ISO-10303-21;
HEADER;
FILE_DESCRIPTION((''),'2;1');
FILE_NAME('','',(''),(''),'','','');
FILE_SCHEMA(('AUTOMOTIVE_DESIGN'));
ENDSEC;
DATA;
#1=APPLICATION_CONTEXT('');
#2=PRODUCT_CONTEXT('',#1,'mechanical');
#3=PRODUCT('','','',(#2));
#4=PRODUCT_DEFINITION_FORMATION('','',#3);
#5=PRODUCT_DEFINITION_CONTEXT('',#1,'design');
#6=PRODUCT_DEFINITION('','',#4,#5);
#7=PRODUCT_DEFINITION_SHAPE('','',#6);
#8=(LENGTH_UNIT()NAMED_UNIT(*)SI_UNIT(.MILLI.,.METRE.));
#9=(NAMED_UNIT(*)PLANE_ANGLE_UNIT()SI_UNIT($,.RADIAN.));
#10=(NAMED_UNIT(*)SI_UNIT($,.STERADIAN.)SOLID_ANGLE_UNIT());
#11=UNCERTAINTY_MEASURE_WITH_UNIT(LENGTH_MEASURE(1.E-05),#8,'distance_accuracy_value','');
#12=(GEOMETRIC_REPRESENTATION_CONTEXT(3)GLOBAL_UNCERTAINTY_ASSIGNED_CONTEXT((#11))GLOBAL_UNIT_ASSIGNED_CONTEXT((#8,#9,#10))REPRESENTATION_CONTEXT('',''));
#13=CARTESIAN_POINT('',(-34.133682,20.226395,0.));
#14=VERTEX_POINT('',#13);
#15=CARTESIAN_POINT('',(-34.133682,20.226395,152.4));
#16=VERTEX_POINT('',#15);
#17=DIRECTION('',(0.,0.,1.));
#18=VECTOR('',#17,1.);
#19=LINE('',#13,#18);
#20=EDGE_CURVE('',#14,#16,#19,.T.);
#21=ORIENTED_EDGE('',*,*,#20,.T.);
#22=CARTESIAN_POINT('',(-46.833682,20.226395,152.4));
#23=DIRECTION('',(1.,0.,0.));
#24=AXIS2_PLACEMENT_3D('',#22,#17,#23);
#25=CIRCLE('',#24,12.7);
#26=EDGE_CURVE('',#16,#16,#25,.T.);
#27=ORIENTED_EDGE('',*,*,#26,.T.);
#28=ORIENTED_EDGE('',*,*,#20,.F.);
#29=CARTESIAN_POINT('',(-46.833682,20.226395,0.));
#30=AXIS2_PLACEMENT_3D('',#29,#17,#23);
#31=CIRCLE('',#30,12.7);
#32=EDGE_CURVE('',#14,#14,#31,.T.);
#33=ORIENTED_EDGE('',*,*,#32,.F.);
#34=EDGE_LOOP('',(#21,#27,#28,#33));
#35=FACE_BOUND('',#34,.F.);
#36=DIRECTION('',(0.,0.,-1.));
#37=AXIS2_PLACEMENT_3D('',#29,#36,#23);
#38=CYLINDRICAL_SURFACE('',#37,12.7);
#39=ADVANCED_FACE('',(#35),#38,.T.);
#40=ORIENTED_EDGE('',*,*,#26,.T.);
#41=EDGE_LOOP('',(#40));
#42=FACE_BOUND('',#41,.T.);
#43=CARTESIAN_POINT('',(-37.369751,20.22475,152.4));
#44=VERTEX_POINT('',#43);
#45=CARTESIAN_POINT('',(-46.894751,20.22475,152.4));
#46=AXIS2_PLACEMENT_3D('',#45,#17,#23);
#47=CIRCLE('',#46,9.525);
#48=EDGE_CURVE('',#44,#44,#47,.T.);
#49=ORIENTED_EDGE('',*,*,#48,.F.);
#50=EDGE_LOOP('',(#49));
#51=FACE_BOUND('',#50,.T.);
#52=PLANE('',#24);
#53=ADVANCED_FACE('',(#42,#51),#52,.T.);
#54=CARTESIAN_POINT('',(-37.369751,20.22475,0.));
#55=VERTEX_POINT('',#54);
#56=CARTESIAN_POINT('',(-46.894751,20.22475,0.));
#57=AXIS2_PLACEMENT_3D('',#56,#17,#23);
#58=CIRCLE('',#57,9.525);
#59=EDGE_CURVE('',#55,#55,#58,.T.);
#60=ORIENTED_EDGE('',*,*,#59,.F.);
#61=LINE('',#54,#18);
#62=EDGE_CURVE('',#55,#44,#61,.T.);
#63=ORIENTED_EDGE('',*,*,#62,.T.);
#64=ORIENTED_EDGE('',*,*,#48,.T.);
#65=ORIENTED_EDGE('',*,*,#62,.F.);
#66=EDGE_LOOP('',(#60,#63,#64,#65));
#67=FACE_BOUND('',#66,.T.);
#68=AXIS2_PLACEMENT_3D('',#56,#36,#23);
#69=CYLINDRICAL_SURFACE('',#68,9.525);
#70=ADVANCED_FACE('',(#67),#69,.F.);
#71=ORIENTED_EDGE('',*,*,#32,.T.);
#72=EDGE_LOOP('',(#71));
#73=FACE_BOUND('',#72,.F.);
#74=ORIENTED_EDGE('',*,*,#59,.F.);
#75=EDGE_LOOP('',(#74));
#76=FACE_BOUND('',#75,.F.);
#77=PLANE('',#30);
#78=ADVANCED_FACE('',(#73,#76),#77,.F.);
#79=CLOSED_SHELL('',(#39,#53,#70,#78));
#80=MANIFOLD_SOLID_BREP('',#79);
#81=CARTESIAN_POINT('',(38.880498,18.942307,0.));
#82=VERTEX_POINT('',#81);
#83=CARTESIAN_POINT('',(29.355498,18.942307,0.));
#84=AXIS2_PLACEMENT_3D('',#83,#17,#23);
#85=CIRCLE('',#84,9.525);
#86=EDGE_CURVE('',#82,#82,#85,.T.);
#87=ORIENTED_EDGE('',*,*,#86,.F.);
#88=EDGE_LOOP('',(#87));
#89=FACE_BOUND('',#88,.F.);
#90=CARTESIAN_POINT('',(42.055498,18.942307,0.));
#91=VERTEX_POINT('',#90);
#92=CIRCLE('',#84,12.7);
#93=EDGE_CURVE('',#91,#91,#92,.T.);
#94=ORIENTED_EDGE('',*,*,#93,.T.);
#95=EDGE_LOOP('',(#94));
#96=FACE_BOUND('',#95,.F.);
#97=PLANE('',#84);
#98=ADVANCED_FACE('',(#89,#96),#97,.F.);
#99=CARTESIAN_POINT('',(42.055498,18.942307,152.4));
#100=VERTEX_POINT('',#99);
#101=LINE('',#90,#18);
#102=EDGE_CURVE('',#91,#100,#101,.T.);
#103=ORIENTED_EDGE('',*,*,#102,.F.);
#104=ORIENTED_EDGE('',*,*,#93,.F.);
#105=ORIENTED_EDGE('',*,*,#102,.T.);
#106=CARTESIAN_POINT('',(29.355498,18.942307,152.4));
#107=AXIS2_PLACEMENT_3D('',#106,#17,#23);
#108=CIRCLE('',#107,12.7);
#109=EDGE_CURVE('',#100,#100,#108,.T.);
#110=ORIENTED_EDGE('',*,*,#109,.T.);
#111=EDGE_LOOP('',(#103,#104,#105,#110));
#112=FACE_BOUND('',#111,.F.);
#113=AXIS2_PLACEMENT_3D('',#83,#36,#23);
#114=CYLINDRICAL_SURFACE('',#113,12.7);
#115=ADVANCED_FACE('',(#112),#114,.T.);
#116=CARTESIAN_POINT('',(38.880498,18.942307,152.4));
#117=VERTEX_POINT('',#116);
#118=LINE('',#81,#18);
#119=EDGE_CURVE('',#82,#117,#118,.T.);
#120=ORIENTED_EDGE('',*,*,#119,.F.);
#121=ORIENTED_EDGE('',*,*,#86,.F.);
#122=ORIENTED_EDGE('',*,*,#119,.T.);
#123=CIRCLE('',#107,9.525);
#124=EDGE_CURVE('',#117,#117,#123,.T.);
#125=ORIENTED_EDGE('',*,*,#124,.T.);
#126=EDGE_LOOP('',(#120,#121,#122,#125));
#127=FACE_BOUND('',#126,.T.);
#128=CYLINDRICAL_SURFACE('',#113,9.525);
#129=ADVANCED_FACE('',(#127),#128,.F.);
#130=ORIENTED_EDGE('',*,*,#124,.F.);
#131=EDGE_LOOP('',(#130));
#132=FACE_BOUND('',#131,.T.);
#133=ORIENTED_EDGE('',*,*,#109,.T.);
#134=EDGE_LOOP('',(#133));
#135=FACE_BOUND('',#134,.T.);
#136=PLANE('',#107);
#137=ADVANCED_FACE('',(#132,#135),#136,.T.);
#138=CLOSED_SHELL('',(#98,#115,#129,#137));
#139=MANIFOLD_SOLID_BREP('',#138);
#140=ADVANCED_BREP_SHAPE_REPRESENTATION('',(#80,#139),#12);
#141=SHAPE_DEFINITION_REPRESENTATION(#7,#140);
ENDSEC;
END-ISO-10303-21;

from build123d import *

# Parameters (mm, degrees)
F0_R     = 12.7
F0_R_2   = 9.525
F1_DEPTH = 152.4


with BuildPart() as f1:
    # F0 (on Top) → F1 (new body)
    with BuildSketch(Plane.XY):
        with Locations((-46.833682, 20.226395)):
            Circle(F0_R)
        with Locations((-46.894751, 20.22475)):
            Circle(F0_R_2, mode=Mode.SUBTRACT)
        with Locations((29.355498, 18.942307)):
            Circle(F0_R)
        with Locations((29.355498, 18.942307)):
            Circle(F0_R_2, mode=Mode.SUBTRACT)
    extrude(amount=F1_DEPTH)


solid = f1.part
